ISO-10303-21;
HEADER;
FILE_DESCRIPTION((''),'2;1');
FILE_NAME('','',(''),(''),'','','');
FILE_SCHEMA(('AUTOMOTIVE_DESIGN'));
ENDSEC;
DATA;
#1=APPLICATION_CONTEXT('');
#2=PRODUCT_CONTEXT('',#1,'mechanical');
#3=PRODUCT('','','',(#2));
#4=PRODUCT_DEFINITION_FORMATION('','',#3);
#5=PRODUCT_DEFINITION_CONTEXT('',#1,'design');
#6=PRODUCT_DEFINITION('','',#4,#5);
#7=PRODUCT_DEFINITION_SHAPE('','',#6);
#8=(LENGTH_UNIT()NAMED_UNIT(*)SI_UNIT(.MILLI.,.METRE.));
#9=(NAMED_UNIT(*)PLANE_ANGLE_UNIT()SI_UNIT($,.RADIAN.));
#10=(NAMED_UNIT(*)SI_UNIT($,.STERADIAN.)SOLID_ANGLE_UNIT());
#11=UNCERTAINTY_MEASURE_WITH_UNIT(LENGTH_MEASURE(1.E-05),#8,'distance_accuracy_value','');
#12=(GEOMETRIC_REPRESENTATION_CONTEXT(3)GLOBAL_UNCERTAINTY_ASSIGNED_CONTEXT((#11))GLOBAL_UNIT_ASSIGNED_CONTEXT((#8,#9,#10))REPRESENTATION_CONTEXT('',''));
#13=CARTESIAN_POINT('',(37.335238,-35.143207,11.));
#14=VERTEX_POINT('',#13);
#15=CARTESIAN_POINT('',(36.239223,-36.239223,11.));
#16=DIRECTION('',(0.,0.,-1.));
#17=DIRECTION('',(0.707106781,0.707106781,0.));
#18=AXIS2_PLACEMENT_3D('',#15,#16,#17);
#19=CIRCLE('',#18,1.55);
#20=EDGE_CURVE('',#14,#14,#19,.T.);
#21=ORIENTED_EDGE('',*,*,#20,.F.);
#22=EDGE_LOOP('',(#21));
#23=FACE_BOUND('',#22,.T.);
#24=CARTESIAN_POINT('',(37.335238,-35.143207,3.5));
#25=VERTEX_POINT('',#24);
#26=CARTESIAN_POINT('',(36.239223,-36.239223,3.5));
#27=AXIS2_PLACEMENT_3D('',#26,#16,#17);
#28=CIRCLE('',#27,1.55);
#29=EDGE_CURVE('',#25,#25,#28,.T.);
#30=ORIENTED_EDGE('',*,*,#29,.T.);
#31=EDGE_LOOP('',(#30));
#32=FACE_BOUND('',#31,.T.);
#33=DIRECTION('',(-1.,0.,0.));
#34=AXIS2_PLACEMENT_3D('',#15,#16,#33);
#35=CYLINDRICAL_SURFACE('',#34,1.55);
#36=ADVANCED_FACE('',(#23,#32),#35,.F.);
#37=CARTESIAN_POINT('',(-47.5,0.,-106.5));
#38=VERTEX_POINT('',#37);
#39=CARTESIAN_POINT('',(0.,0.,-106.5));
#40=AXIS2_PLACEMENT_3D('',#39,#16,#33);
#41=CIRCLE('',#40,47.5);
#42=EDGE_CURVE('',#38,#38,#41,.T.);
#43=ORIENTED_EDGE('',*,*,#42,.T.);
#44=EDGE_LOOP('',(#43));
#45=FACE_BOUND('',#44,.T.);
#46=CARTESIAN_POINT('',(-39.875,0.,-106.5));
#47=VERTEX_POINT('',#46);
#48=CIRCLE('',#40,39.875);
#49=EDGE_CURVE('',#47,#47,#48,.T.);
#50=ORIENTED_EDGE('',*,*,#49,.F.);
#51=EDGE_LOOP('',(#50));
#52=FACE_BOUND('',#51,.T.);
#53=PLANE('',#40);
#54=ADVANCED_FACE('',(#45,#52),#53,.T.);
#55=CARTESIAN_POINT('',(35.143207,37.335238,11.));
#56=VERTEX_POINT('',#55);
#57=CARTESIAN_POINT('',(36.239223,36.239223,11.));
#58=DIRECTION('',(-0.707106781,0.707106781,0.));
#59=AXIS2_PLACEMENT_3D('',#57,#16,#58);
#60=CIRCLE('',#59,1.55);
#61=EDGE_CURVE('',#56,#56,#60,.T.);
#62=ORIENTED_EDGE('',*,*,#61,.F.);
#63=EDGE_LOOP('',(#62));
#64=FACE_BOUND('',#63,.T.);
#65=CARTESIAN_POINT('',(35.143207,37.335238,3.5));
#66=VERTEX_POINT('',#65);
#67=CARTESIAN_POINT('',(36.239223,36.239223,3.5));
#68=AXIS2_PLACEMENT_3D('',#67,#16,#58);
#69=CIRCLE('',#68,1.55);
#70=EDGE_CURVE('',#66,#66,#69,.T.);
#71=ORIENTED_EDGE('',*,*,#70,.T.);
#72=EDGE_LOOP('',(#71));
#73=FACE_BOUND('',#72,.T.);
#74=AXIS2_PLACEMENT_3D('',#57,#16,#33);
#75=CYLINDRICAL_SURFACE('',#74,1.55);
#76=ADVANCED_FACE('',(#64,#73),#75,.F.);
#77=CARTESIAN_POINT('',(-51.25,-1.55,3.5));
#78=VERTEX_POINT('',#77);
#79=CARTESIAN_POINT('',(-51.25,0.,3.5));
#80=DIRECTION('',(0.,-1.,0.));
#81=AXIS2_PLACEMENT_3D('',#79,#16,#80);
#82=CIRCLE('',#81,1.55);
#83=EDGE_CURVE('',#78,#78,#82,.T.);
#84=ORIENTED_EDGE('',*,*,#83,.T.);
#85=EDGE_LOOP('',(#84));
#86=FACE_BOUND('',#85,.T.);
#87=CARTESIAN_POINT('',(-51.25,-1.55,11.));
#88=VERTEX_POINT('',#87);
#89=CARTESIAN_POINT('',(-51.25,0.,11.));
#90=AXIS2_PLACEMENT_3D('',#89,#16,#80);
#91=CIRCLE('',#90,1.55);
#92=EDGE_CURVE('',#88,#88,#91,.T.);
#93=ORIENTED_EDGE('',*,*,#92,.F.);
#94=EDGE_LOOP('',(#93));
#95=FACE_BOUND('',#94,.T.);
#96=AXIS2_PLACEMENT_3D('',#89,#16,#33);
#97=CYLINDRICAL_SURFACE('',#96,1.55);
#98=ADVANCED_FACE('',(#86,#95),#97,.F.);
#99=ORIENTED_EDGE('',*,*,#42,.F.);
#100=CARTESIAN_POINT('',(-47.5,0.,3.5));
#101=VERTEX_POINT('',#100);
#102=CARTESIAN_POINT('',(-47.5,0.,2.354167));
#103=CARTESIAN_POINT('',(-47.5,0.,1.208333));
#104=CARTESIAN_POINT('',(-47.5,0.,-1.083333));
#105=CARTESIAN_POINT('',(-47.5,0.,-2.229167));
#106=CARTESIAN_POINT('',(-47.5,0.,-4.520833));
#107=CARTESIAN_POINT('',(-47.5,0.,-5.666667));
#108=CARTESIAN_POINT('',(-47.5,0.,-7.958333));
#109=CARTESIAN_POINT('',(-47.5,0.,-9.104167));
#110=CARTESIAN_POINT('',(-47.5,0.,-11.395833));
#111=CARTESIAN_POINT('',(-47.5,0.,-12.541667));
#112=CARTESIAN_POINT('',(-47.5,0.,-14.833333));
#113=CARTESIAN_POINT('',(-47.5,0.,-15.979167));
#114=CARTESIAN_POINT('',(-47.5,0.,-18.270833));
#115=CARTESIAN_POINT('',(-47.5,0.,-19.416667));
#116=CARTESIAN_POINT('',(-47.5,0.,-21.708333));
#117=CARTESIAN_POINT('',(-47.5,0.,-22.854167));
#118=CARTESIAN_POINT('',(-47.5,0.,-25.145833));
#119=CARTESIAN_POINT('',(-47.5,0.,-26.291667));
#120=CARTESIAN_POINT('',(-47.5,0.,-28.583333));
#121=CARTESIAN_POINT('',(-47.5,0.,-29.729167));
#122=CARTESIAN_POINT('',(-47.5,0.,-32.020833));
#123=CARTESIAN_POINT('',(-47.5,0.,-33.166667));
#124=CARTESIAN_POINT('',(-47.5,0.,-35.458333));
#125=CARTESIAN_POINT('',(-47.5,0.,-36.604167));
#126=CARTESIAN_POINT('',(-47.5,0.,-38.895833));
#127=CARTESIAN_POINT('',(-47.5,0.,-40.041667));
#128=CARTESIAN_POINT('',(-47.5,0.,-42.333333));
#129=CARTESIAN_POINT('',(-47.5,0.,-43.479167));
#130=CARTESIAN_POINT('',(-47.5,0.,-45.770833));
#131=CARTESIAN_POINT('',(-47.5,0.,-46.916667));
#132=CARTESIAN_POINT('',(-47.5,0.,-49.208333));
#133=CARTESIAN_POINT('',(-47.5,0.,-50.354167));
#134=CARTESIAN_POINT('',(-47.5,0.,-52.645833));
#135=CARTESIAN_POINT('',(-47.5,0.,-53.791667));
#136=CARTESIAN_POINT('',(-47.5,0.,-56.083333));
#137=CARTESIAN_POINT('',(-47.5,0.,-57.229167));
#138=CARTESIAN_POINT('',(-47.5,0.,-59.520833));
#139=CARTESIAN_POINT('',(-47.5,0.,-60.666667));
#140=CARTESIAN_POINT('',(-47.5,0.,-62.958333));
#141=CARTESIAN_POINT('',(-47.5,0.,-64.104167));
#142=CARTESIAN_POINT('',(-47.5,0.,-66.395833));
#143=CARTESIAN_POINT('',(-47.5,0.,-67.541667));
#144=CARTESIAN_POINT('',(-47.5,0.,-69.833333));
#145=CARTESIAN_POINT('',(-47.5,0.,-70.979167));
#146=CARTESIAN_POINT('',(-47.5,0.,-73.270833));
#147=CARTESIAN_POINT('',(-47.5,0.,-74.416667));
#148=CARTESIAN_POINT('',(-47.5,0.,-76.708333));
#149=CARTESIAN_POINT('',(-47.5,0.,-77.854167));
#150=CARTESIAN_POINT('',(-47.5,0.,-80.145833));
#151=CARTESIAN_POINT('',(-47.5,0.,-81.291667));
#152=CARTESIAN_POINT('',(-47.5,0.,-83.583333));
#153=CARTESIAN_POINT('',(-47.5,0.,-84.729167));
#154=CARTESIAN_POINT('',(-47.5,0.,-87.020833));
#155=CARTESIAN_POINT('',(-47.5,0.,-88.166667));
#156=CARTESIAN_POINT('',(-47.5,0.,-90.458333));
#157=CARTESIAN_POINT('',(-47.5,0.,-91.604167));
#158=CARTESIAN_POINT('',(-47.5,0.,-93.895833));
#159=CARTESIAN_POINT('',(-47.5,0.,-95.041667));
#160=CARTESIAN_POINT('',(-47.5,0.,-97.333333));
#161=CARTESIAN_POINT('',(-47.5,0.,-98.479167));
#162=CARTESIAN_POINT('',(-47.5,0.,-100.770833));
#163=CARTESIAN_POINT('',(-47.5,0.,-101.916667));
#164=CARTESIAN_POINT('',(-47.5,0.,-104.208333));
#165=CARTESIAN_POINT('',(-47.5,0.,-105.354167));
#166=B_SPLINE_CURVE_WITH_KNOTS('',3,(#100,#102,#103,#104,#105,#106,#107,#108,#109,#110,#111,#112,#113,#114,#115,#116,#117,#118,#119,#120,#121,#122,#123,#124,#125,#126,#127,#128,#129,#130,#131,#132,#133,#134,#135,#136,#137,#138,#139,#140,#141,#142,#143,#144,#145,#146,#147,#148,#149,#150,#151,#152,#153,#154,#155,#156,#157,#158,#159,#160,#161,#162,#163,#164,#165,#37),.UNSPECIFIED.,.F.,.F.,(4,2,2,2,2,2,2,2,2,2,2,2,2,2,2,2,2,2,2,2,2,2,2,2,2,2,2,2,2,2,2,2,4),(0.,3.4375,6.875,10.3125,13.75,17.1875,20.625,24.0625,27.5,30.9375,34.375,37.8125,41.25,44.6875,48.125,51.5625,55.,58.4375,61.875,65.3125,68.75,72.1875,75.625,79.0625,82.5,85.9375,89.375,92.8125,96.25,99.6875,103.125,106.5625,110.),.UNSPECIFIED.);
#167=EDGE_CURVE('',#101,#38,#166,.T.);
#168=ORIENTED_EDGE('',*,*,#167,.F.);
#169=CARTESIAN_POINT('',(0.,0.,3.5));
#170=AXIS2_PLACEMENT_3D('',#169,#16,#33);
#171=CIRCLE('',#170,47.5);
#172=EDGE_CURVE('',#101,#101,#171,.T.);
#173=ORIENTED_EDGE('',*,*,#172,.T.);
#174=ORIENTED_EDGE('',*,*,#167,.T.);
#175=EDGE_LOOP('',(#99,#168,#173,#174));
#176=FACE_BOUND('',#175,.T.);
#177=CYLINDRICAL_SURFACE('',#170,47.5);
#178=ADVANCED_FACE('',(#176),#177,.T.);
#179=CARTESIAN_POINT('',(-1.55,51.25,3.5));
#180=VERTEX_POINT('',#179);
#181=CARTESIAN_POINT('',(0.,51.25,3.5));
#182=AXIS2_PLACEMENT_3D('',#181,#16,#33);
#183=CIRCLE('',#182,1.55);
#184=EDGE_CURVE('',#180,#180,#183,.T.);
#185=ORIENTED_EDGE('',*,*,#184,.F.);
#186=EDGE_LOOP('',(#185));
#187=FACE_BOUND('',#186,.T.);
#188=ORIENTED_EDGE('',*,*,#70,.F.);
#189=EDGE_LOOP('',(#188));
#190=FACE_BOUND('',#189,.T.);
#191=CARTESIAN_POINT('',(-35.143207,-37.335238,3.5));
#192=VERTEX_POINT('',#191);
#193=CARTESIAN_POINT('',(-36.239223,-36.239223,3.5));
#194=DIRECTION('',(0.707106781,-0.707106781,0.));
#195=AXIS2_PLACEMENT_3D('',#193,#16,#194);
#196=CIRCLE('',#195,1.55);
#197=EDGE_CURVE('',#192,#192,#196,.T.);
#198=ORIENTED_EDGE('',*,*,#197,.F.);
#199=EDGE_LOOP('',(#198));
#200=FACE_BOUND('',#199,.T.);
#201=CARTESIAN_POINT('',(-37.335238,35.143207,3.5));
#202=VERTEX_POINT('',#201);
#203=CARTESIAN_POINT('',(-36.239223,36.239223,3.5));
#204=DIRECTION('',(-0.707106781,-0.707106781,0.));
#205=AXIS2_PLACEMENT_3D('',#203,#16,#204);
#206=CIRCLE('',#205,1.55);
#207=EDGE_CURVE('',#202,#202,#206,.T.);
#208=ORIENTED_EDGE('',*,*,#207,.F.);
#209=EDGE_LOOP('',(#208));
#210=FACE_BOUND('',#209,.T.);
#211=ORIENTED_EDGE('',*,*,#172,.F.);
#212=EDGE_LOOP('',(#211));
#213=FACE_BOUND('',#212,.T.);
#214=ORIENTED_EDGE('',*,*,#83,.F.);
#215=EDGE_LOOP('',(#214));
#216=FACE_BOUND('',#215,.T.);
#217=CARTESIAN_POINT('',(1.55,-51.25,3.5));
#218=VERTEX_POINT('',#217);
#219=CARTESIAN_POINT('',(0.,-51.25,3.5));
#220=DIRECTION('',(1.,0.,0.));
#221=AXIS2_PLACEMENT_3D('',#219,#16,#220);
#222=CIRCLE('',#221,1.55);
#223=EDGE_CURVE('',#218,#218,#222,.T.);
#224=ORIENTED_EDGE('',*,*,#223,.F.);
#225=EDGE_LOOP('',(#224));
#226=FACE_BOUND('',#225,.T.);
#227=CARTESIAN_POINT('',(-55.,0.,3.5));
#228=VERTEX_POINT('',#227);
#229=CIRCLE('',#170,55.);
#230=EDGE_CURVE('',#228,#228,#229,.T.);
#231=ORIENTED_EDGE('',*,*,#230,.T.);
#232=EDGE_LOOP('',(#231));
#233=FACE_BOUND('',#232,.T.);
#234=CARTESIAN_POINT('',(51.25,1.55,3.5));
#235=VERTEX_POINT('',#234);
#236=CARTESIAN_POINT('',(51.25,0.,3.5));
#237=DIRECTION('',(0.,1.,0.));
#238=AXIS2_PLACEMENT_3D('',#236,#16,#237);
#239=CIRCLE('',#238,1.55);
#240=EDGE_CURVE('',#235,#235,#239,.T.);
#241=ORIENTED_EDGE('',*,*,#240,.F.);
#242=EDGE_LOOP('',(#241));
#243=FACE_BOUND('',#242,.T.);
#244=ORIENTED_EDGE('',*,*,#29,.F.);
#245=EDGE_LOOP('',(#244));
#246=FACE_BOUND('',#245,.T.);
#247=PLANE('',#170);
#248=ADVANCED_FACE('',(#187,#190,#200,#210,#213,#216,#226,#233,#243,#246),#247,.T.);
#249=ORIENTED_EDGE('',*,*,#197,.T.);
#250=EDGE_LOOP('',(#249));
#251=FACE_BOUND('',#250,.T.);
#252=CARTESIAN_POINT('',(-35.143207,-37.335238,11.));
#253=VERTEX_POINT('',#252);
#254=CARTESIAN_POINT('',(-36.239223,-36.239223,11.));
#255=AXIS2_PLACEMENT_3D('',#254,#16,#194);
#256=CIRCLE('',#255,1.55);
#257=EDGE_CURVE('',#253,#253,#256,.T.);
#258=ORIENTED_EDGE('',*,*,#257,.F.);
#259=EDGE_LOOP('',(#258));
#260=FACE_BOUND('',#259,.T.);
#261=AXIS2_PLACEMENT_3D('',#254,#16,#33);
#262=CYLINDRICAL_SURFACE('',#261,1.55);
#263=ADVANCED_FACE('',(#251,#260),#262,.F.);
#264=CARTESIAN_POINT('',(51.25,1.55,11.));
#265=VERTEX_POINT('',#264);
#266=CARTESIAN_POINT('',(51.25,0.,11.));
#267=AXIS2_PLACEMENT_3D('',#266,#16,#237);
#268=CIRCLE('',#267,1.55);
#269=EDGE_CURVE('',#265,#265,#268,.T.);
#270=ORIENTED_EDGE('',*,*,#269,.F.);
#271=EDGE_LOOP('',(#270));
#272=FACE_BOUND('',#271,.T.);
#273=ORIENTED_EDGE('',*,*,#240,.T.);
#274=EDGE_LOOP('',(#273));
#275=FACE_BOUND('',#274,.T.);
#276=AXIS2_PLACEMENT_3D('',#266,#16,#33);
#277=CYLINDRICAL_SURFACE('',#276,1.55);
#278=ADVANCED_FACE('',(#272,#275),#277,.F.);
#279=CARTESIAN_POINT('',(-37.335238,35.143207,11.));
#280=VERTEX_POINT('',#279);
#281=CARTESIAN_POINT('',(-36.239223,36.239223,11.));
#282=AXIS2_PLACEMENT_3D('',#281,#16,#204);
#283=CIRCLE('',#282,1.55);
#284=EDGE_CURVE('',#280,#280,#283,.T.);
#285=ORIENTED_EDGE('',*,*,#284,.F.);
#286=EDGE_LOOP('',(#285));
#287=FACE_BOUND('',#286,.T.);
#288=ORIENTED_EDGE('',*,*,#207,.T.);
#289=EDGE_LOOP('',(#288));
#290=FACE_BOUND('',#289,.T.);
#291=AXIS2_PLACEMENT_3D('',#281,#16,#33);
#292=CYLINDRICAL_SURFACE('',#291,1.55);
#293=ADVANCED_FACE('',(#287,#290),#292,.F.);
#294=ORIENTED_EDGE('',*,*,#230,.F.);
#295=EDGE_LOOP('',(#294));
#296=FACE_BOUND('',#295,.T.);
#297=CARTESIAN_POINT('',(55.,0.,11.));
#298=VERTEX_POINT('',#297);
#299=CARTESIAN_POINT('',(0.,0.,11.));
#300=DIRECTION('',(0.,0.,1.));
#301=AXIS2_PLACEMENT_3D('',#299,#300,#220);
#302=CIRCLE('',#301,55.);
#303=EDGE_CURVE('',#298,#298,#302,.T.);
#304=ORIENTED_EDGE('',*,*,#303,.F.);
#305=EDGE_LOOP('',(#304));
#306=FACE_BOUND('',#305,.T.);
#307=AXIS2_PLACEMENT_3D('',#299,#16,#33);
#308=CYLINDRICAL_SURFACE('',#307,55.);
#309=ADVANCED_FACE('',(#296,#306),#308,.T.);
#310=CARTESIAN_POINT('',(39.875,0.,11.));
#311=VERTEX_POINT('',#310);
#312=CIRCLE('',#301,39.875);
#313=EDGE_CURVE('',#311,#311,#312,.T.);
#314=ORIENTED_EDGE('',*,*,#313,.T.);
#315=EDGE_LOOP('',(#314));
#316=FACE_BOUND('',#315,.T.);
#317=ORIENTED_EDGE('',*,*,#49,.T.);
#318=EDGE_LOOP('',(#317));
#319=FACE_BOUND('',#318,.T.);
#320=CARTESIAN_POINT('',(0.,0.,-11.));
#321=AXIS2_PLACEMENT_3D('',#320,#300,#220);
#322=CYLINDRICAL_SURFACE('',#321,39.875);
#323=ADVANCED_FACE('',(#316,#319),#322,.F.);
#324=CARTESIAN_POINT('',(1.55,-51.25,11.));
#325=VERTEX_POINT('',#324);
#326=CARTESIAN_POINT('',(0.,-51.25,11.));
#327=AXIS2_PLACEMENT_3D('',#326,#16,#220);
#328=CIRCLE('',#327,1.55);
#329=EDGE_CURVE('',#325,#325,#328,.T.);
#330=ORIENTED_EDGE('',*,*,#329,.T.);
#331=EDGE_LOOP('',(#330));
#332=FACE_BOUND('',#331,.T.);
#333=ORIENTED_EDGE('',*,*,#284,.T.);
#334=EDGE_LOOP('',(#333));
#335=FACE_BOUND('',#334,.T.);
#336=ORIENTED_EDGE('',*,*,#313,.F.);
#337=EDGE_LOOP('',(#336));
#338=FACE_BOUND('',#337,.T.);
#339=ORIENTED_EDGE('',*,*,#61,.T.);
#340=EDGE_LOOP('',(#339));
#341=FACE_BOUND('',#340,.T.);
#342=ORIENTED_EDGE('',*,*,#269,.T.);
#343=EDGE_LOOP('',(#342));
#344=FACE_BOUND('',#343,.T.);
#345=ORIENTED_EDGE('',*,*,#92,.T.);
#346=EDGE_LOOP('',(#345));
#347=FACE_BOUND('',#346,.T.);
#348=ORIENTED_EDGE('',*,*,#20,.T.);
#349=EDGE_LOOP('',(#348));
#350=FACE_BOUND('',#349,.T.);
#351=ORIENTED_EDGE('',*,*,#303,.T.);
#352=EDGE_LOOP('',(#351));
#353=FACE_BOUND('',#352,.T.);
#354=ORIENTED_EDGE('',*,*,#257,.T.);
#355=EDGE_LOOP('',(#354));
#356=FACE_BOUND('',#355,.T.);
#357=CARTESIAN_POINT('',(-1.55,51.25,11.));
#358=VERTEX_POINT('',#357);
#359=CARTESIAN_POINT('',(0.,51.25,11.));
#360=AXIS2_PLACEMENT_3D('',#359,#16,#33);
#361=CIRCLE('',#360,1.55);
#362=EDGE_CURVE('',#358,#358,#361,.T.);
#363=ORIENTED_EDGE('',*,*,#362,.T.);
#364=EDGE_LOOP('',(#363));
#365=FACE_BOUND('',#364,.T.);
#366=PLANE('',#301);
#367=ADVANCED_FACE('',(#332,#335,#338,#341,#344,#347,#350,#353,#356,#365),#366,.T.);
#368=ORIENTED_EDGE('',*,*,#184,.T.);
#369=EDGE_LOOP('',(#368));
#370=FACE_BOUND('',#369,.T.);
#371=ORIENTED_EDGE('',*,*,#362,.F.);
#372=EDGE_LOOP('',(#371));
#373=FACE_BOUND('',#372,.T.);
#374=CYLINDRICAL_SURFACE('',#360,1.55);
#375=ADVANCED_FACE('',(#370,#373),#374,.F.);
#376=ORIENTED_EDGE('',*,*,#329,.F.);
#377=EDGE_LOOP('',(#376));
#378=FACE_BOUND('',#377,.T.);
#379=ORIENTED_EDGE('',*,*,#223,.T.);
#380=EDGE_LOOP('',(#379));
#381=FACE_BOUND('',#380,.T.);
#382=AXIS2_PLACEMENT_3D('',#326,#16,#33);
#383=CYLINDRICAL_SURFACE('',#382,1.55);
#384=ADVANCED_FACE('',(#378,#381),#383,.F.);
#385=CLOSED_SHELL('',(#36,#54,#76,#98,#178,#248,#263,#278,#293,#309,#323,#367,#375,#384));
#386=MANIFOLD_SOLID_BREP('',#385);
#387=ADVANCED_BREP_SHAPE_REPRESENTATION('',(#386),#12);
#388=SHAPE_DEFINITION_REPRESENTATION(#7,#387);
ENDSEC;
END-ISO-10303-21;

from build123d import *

# Parameters (mm, degrees)
IZIM1_R                     = 55
Y_KSEKLIK_EKSTR_ZYON1_DEPTH = 11
IZIM2_OUTSIDE_W             = 143.422
IZIM2_OUTSIDE_H             = 143.422
IZIM2_OUTSIDE_R             = 47.5
KES_EKSTR_ZYON1_DEPTH       = 14.5
IZIM3_R                     = 1.55
KES_EKSTR_ZYON2_DEPTH       = 80.121741639
DAIRESEL_KAPLAMA1_COUNT     = 8
IZIM4_R                     = 39.875
KES_EKSTR_ZYON3_DEPTH       = 81.833161512
IZIM5_R                     = 47.5
IZIM5_R_2                   = 39.875
Y_KSEKLIK_EKSTR_ZYON2_DEPTH = 95.5


with BuildPart() as part:
    # Çizim1 → Yükseklik-Ekstrüzyon1 (new, symmetric)
    with BuildSketch(Plane.XY):
        Circle(IZIM1_R)
    extrude(amount=Y_KSEKLIK_EKSTR_ZYON1_DEPTH, both=True)

    # Çizim2 outside → Kes-Ekstrüzyon1 (cut)
    with BuildSketch(Plane(origin=(0, 0, -11), x_dir=(-1, 0, 0), z_dir=(0, 0, -1))):
        Rectangle(IZIM2_OUTSIDE_W, IZIM2_OUTSIDE_H)
        Circle(IZIM2_OUTSIDE_R, mode=Mode.SUBTRACT)
    extrude(amount=-KES_EKSTR_ZYON1_DEPTH, mode=Mode.SUBTRACT)

    # Çizim3 → Kes-Ekstrüzyon2 (cut, through all)
    with BuildSketch(Plane(origin=(0, 0, 3.5), x_dir=(-1, 0, 0), z_dir=(0, 0, -1))):
        with Locations((0, 51.25)):
            Circle(IZIM3_R)
    kes_ekstr_zyon2 = extrude(amount=-KES_EKSTR_ZYON2_DEPTH, mode=Mode.SUBTRACT)

    # Dairesel Kaplama1: Kes-Ekstrüzyon2 ×8 about axis
    dairesel_kaplama1_axis = Axis((0, 0, 0), (0, 0, 1))
    for i in range(1, DAIRESEL_KAPLAMA1_COUNT):
        add(kes_ekstr_zyon2.rotate(dairesel_kaplama1_axis, i * 360 / DAIRESEL_KAPLAMA1_COUNT), mode=Mode.SUBTRACT)

    # Çizim4 → Kes-Ekstrüzyon3 (cut, through all)
    with BuildSketch(Plane.XY.offset(11)):
        Circle(IZIM4_R)
    extrude(amount=-KES_EKSTR_ZYON3_DEPTH, mode=Mode.SUBTRACT)

    # Çizim5 → Yükseklik-Ekstrüzyon2 (add)
    with BuildSketch(Plane(origin=(0, 0, -11), x_dir=(-1, 0, 0), z_dir=(0, 0, -1))):
        Circle(IZIM5_R)
        with Locations(Location((0, 0, 0), (0, 0, 180))):
            Circle(IZIM5_R_2, mode=Mode.SUBTRACT)
    extrude(amount=Y_KSEKLIK_EKSTR_ZYON2_DEPTH)


solid = part.part
